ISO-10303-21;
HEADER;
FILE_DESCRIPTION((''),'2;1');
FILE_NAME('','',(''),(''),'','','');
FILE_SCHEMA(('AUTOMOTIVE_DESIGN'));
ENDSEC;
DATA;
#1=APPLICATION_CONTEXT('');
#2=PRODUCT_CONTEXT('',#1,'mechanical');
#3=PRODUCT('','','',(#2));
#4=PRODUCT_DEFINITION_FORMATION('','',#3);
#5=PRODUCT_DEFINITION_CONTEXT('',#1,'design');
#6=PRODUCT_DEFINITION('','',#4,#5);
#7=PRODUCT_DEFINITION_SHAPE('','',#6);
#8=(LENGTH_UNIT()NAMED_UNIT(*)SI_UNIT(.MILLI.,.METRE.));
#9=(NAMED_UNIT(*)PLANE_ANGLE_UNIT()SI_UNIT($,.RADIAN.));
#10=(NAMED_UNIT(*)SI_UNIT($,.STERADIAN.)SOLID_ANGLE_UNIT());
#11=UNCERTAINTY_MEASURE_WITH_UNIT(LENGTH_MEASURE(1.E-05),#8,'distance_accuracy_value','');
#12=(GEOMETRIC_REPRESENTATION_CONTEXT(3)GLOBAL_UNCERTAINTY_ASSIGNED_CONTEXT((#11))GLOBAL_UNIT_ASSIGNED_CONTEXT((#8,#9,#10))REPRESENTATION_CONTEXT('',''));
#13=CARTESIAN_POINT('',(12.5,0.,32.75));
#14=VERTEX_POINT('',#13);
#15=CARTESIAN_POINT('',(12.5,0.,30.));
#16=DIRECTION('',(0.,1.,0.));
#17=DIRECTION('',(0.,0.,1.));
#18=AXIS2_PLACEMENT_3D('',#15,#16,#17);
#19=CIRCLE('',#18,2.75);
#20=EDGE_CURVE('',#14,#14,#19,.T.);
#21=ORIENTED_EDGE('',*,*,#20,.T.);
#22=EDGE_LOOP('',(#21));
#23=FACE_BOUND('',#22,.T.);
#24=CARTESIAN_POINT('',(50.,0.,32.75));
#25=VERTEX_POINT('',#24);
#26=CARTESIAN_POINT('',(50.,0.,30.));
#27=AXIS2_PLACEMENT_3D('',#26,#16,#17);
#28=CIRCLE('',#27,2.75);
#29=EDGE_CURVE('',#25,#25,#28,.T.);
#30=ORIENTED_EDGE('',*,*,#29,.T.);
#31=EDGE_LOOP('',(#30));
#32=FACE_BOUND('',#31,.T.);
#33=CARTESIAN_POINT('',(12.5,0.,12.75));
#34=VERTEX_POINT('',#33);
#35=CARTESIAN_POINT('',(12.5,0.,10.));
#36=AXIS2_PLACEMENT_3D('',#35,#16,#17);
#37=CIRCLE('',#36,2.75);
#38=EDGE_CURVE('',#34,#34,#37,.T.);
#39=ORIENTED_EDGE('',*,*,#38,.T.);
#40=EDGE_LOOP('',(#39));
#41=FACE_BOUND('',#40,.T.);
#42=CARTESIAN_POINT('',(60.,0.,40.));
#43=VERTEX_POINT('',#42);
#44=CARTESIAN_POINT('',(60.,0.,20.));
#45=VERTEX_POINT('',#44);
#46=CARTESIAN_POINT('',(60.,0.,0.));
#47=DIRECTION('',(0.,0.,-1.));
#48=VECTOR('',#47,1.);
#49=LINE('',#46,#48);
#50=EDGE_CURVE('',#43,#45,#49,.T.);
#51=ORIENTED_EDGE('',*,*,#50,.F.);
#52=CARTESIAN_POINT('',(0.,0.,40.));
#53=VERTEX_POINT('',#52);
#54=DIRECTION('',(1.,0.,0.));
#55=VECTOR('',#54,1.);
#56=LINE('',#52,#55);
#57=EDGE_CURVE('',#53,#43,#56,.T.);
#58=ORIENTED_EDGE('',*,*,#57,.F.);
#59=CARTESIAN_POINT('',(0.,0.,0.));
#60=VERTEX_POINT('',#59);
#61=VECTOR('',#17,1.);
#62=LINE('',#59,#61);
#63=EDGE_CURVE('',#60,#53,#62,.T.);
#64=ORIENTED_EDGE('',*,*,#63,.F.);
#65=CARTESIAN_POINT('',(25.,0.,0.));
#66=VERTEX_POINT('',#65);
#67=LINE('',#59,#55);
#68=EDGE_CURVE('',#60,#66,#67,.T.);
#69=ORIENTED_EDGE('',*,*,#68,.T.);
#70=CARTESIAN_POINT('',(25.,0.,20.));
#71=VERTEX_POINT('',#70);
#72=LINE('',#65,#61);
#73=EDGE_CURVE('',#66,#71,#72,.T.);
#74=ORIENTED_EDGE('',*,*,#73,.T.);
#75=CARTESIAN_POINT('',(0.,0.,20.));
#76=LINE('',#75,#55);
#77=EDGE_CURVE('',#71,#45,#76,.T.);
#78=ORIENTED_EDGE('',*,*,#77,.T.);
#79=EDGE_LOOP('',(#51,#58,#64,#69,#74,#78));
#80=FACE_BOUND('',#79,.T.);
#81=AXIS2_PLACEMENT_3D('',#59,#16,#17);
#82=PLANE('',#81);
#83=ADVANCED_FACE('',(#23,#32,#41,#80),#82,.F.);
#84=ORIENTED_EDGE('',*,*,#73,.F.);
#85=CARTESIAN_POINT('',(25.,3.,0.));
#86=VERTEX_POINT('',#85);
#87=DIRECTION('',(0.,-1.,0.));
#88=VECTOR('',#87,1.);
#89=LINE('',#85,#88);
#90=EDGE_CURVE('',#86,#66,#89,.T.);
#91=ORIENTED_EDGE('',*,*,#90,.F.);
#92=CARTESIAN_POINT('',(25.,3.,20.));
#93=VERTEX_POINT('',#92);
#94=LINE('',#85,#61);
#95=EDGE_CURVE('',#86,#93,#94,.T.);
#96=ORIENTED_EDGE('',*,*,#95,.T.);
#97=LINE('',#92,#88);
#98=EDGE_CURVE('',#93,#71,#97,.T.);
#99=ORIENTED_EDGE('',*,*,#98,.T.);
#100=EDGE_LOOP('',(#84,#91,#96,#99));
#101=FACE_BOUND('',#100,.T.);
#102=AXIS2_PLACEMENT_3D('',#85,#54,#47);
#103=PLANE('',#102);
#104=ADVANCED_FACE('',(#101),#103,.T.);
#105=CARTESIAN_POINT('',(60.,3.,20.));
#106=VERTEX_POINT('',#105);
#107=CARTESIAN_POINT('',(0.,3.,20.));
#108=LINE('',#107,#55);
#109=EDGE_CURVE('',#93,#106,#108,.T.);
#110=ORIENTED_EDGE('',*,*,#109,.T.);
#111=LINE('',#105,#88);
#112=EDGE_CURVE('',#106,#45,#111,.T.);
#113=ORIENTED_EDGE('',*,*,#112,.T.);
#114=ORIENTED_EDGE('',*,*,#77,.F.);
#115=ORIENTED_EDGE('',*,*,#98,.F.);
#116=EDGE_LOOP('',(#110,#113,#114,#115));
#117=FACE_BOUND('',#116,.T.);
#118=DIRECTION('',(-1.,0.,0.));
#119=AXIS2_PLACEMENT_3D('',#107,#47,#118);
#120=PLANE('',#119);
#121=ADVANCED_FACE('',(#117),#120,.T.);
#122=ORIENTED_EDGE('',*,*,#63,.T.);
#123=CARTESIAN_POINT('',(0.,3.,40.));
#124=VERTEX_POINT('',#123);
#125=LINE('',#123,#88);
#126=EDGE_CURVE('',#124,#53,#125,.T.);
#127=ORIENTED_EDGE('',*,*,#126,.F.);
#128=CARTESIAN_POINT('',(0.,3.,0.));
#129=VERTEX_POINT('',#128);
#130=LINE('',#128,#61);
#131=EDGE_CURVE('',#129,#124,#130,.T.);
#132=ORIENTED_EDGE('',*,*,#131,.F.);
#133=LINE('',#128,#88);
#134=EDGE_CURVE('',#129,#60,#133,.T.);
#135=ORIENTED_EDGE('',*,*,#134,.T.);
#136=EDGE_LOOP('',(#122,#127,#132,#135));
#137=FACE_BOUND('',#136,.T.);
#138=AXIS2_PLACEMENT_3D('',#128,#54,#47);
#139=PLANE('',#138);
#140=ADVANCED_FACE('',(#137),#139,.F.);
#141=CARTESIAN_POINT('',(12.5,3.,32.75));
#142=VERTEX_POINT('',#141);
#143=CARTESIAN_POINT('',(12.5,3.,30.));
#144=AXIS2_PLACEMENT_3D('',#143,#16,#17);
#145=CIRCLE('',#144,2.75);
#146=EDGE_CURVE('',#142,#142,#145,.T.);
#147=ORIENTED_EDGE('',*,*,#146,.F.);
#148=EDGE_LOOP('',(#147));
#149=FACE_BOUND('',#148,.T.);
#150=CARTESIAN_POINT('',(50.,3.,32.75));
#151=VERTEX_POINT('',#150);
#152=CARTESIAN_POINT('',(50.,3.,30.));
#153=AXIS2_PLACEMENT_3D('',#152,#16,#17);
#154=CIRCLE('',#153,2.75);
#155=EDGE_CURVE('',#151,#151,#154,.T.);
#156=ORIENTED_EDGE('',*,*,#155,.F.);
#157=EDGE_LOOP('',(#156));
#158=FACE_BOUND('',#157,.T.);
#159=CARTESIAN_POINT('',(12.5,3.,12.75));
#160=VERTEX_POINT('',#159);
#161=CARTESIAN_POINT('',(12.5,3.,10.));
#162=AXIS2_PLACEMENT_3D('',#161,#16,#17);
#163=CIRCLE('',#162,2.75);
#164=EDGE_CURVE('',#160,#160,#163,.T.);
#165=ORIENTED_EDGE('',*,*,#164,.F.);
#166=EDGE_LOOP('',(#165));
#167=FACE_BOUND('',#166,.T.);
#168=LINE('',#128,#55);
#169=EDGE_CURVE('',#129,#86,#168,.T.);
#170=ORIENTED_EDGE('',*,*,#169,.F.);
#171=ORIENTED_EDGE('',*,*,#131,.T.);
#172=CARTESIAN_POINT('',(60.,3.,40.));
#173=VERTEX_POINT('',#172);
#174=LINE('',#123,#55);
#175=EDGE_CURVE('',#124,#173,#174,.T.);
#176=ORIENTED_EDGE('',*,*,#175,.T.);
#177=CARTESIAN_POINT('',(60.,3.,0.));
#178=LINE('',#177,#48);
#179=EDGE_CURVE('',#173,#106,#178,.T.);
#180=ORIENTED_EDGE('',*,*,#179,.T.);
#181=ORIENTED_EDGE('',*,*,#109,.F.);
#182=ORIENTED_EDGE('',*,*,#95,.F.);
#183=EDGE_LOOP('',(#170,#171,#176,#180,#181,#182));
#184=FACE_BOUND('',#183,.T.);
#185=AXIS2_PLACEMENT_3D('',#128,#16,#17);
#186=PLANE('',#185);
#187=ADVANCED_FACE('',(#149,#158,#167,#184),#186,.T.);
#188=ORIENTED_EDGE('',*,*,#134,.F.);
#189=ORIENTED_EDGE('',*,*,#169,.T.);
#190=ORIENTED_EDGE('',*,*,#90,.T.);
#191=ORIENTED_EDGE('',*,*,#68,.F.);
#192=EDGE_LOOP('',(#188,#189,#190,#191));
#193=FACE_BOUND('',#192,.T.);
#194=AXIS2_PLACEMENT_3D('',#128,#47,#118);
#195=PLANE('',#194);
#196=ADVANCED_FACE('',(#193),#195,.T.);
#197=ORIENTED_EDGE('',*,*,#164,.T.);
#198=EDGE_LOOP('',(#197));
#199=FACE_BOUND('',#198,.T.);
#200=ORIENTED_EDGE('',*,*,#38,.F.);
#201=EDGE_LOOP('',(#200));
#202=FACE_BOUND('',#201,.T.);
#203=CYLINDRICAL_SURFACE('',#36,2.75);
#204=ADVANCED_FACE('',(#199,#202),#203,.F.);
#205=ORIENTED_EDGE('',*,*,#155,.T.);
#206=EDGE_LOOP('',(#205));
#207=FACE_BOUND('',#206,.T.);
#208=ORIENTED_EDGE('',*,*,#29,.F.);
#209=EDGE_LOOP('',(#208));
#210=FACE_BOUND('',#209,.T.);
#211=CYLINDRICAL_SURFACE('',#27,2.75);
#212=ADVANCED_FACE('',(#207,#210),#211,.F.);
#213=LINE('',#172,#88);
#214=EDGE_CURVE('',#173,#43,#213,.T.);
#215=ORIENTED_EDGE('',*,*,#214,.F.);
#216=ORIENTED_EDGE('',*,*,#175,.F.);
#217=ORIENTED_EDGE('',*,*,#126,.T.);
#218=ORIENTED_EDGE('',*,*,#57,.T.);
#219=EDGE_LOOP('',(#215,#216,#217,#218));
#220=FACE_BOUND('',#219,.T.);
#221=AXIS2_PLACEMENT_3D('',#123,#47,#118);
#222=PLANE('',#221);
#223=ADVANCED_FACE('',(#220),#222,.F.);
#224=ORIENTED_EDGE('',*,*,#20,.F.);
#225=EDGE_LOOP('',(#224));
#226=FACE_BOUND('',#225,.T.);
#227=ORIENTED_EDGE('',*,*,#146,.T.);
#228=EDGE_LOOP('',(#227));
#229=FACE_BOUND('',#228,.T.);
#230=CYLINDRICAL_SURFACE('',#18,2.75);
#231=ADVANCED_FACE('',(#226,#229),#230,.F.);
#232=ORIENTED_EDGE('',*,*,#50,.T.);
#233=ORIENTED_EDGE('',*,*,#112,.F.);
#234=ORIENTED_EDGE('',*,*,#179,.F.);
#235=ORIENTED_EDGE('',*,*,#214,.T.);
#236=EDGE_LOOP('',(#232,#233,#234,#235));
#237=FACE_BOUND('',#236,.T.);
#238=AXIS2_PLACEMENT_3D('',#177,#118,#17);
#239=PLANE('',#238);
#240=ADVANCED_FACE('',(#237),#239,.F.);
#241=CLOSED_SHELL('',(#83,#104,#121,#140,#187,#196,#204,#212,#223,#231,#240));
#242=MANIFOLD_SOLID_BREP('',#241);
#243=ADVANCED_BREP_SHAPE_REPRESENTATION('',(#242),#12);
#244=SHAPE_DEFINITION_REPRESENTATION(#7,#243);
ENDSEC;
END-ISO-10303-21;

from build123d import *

# Parameters (mm, degrees)
SKETCH1_W           = 25
SKETCH1_H           = 40
SKETCH1_W_2         = 35
SKETCH1_H_2         = 20
BOSS_EXTRUDE1_DEPTH = 3
SKETCH4_R           = 2.75
CUT_EXTRUDE1_DEPTH  = 3


with BuildPart() as part:
    # Sketch1 → Boss-Extrude1 (new body)
    with BuildSketch(Plane(origin=(0, 0, 0), x_dir=(1, 0, 0), z_dir=(0, 1, 0))):
        with Locations((12.5, -20)):
            Rectangle(SKETCH1_W, SKETCH1_H)
        with Locations((42.5, -30)):
            Rectangle(SKETCH1_W_2, SKETCH1_H_2)
    extrude(amount=BOSS_EXTRUDE1_DEPTH)

    # Sketch4 → Cut-Extrude1 (cut)
    with BuildSketch(Plane(origin=(0, 3, 0), x_dir=(1, 0, 0), z_dir=(0, 1, 0))):
        with Locations((12.5, -10)):
            Circle(SKETCH4_R)
        with Locations((12.5, -30)):
            Circle(SKETCH4_R)
        with Locations((50, -30)):
            Circle(SKETCH4_R)
    extrude(amount=-CUT_EXTRUDE1_DEPTH, mode=Mode.SUBTRACT)


solid = part.part
